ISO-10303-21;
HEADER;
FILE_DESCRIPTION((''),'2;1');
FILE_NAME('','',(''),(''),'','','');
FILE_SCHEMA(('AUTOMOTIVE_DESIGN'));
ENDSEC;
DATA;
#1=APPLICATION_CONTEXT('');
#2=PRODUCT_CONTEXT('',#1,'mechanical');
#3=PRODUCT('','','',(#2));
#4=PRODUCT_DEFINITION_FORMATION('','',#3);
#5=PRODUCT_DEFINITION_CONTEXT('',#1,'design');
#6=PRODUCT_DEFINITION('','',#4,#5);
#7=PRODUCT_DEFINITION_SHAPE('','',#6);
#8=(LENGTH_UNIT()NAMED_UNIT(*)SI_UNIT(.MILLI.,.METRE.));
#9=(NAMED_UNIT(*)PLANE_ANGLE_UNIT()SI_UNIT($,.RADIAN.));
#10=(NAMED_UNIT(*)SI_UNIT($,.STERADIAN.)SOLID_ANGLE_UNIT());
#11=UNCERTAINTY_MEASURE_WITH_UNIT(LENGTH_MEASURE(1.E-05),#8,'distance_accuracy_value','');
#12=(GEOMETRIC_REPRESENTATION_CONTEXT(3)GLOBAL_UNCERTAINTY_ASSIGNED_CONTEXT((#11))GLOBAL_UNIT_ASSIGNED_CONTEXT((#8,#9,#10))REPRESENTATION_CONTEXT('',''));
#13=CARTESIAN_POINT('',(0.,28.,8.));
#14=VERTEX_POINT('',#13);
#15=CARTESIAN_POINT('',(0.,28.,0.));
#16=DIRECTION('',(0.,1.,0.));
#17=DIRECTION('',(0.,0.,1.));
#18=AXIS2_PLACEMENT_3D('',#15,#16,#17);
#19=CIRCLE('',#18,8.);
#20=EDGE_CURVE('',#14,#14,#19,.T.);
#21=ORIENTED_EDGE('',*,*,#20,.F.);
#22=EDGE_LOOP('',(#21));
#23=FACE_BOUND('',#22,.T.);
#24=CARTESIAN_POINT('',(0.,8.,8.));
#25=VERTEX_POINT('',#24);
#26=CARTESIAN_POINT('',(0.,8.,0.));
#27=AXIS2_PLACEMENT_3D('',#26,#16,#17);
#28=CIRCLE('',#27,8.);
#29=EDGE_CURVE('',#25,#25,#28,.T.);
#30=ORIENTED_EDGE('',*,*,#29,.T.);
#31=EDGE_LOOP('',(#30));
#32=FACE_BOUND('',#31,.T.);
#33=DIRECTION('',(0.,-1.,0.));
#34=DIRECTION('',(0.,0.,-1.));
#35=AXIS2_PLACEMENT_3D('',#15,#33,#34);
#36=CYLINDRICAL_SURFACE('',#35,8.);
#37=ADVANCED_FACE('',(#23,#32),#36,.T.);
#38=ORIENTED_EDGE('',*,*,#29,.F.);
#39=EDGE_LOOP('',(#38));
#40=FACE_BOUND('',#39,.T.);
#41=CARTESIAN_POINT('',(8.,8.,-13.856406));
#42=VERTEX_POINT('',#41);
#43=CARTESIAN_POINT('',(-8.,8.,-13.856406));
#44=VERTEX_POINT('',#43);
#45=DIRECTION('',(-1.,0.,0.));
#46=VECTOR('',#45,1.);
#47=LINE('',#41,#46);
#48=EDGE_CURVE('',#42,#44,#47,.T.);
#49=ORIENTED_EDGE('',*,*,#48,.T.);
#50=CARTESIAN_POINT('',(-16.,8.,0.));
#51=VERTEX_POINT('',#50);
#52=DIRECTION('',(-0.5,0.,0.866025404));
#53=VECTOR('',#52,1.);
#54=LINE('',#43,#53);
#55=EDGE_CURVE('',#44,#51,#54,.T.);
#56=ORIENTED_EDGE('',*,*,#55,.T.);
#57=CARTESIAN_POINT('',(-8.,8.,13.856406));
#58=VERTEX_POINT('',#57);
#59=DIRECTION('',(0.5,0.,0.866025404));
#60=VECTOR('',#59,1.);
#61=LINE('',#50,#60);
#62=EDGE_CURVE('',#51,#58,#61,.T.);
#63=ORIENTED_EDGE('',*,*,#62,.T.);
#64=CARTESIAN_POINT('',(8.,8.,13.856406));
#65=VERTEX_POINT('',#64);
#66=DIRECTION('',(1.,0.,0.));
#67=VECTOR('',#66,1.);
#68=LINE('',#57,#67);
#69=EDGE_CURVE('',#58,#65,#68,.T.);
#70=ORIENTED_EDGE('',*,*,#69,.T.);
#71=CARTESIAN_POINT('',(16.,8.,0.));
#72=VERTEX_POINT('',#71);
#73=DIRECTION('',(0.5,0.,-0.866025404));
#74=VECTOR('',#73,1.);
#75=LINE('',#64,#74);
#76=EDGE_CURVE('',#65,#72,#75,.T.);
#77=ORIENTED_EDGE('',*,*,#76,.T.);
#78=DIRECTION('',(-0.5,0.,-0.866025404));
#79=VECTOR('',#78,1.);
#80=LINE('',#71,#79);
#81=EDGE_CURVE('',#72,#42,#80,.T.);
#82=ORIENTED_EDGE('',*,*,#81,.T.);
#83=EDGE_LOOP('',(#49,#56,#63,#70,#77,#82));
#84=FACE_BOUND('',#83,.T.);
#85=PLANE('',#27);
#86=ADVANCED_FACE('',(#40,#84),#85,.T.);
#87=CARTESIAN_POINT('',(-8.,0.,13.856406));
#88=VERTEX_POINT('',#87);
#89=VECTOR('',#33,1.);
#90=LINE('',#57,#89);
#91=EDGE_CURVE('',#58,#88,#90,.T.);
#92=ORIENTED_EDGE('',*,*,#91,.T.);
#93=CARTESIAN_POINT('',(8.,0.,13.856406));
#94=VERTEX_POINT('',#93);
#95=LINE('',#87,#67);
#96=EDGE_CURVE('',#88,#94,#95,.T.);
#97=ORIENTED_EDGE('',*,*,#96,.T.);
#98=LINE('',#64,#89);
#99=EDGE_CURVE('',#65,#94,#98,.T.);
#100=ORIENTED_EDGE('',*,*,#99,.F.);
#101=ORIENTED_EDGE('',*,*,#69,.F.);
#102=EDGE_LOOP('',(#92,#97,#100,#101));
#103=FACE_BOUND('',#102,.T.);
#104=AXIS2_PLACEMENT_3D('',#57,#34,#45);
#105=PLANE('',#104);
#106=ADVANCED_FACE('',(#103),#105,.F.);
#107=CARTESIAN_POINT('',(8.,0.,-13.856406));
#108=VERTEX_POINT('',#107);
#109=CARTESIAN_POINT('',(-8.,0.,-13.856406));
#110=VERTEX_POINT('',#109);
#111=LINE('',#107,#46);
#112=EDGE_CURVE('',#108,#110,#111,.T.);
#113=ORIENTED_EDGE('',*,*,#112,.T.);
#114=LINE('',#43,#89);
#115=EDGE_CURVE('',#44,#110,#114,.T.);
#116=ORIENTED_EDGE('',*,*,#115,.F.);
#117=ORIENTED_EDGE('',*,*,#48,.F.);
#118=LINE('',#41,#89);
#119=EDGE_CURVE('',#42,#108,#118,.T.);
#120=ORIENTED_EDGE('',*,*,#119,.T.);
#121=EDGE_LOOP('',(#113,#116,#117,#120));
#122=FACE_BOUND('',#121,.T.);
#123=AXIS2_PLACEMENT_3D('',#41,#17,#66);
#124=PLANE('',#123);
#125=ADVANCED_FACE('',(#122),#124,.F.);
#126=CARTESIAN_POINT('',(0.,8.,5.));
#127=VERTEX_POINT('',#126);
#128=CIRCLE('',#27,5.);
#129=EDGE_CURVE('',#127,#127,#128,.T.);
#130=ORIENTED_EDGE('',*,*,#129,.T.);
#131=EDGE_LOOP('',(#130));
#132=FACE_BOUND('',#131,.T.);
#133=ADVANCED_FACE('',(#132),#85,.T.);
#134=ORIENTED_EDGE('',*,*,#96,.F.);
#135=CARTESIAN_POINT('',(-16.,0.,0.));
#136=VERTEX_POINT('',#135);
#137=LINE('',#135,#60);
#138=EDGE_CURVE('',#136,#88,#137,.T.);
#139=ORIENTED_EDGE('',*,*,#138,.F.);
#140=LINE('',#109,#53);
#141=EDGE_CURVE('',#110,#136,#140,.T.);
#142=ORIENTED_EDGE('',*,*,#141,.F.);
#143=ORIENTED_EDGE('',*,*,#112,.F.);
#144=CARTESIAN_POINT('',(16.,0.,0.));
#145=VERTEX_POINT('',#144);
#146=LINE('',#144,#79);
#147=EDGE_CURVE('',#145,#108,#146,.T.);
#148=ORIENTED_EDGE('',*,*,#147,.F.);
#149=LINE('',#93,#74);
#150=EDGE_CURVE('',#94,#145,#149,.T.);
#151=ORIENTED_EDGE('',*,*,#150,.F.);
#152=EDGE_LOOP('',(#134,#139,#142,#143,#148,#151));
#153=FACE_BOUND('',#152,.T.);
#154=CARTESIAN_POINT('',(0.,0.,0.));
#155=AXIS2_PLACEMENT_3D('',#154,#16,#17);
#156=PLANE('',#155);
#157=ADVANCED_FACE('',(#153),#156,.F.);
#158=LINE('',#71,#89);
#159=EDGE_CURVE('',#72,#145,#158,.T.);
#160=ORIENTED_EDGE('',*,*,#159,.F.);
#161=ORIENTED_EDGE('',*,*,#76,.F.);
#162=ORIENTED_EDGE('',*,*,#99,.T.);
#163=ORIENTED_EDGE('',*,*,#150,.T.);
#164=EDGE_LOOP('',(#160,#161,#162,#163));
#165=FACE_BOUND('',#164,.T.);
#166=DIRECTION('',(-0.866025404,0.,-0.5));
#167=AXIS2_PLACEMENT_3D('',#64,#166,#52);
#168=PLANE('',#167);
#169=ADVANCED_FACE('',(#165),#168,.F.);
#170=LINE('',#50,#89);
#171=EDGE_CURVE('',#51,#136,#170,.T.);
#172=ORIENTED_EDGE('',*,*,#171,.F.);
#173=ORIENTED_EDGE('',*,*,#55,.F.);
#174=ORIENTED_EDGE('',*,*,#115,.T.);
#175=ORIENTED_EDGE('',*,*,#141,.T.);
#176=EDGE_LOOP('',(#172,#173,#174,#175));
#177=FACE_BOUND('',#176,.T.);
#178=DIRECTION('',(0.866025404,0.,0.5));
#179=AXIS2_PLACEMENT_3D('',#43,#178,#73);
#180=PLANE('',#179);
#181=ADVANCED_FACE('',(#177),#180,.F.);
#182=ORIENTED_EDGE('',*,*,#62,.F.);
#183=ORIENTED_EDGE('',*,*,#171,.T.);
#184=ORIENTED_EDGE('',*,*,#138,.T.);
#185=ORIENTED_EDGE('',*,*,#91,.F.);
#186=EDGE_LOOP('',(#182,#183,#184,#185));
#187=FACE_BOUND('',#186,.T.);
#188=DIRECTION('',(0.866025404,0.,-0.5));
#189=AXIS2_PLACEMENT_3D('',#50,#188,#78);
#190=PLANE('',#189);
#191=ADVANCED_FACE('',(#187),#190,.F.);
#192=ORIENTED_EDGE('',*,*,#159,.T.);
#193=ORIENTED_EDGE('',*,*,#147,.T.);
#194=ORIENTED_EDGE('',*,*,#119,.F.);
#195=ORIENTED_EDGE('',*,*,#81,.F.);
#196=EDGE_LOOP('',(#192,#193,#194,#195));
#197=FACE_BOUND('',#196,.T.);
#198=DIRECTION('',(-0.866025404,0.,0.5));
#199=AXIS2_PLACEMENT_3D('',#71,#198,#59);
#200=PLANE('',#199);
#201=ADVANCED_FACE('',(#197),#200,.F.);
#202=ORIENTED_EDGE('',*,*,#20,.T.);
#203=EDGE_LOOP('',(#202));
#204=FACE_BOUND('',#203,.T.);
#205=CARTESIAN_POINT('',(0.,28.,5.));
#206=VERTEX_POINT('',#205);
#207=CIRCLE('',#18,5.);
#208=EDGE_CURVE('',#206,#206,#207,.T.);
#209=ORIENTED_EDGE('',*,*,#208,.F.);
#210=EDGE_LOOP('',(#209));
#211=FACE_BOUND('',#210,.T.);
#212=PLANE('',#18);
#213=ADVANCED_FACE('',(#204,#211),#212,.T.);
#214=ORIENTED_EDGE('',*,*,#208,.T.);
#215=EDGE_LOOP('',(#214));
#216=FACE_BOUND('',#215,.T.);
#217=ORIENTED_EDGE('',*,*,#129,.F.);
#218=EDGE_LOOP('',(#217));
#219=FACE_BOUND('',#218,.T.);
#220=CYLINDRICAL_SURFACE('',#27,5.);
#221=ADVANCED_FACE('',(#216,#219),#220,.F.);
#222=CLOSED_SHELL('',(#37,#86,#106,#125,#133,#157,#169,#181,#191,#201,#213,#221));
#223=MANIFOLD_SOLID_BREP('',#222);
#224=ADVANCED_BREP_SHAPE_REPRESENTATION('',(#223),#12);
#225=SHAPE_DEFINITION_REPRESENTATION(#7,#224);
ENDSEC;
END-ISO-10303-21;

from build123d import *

# Parameters (mm, degrees)
EXTRUDE_2_DEPTH     = 8
SKETCH_3_R          = 8
EXTRUDE_3_DEPTH     = 20
SKETCH_4_R          = 5
CUT_EXTRUDE_1_DEPTH = 20


with BuildPart() as part:
    # 草图1 → 凸台-拉伸2 (new body)
    with BuildSketch(Plane(origin=(0, 0, 0), x_dir=(1, 0, 0), z_dir=(0, 1, 0))):
        Polygon((8, -13.856406461), (16, 0), (8, 13.856406461), (-8, 13.856406461), (-16, 0), (-8, -13.856406461), align=None)
    extrude(amount=EXTRUDE_2_DEPTH)

    # 草图3 → 凸台-拉伸3 (add)
    with BuildSketch(Plane(origin=(0, 8, 0), x_dir=(1, 0, 0), z_dir=(0, 1, 0))):
        with Locations(Location((0, 0, 0), (0, 0, 270))):
            Circle(SKETCH_3_R)
    extrude(amount=EXTRUDE_3_DEPTH)

    # 草图4 → 切除-拉伸1 (cut)
    with BuildSketch(Plane(origin=(0, 28, 0), x_dir=(1, 0, 0), z_dir=(0, 1, 0))):
        with Locations(Location((0, 0, 0), (0, 0, 270))):
            Circle(SKETCH_4_R)
    extrude(amount=-CUT_EXTRUDE_1_DEPTH, mode=Mode.SUBTRACT)


solid = part.part
